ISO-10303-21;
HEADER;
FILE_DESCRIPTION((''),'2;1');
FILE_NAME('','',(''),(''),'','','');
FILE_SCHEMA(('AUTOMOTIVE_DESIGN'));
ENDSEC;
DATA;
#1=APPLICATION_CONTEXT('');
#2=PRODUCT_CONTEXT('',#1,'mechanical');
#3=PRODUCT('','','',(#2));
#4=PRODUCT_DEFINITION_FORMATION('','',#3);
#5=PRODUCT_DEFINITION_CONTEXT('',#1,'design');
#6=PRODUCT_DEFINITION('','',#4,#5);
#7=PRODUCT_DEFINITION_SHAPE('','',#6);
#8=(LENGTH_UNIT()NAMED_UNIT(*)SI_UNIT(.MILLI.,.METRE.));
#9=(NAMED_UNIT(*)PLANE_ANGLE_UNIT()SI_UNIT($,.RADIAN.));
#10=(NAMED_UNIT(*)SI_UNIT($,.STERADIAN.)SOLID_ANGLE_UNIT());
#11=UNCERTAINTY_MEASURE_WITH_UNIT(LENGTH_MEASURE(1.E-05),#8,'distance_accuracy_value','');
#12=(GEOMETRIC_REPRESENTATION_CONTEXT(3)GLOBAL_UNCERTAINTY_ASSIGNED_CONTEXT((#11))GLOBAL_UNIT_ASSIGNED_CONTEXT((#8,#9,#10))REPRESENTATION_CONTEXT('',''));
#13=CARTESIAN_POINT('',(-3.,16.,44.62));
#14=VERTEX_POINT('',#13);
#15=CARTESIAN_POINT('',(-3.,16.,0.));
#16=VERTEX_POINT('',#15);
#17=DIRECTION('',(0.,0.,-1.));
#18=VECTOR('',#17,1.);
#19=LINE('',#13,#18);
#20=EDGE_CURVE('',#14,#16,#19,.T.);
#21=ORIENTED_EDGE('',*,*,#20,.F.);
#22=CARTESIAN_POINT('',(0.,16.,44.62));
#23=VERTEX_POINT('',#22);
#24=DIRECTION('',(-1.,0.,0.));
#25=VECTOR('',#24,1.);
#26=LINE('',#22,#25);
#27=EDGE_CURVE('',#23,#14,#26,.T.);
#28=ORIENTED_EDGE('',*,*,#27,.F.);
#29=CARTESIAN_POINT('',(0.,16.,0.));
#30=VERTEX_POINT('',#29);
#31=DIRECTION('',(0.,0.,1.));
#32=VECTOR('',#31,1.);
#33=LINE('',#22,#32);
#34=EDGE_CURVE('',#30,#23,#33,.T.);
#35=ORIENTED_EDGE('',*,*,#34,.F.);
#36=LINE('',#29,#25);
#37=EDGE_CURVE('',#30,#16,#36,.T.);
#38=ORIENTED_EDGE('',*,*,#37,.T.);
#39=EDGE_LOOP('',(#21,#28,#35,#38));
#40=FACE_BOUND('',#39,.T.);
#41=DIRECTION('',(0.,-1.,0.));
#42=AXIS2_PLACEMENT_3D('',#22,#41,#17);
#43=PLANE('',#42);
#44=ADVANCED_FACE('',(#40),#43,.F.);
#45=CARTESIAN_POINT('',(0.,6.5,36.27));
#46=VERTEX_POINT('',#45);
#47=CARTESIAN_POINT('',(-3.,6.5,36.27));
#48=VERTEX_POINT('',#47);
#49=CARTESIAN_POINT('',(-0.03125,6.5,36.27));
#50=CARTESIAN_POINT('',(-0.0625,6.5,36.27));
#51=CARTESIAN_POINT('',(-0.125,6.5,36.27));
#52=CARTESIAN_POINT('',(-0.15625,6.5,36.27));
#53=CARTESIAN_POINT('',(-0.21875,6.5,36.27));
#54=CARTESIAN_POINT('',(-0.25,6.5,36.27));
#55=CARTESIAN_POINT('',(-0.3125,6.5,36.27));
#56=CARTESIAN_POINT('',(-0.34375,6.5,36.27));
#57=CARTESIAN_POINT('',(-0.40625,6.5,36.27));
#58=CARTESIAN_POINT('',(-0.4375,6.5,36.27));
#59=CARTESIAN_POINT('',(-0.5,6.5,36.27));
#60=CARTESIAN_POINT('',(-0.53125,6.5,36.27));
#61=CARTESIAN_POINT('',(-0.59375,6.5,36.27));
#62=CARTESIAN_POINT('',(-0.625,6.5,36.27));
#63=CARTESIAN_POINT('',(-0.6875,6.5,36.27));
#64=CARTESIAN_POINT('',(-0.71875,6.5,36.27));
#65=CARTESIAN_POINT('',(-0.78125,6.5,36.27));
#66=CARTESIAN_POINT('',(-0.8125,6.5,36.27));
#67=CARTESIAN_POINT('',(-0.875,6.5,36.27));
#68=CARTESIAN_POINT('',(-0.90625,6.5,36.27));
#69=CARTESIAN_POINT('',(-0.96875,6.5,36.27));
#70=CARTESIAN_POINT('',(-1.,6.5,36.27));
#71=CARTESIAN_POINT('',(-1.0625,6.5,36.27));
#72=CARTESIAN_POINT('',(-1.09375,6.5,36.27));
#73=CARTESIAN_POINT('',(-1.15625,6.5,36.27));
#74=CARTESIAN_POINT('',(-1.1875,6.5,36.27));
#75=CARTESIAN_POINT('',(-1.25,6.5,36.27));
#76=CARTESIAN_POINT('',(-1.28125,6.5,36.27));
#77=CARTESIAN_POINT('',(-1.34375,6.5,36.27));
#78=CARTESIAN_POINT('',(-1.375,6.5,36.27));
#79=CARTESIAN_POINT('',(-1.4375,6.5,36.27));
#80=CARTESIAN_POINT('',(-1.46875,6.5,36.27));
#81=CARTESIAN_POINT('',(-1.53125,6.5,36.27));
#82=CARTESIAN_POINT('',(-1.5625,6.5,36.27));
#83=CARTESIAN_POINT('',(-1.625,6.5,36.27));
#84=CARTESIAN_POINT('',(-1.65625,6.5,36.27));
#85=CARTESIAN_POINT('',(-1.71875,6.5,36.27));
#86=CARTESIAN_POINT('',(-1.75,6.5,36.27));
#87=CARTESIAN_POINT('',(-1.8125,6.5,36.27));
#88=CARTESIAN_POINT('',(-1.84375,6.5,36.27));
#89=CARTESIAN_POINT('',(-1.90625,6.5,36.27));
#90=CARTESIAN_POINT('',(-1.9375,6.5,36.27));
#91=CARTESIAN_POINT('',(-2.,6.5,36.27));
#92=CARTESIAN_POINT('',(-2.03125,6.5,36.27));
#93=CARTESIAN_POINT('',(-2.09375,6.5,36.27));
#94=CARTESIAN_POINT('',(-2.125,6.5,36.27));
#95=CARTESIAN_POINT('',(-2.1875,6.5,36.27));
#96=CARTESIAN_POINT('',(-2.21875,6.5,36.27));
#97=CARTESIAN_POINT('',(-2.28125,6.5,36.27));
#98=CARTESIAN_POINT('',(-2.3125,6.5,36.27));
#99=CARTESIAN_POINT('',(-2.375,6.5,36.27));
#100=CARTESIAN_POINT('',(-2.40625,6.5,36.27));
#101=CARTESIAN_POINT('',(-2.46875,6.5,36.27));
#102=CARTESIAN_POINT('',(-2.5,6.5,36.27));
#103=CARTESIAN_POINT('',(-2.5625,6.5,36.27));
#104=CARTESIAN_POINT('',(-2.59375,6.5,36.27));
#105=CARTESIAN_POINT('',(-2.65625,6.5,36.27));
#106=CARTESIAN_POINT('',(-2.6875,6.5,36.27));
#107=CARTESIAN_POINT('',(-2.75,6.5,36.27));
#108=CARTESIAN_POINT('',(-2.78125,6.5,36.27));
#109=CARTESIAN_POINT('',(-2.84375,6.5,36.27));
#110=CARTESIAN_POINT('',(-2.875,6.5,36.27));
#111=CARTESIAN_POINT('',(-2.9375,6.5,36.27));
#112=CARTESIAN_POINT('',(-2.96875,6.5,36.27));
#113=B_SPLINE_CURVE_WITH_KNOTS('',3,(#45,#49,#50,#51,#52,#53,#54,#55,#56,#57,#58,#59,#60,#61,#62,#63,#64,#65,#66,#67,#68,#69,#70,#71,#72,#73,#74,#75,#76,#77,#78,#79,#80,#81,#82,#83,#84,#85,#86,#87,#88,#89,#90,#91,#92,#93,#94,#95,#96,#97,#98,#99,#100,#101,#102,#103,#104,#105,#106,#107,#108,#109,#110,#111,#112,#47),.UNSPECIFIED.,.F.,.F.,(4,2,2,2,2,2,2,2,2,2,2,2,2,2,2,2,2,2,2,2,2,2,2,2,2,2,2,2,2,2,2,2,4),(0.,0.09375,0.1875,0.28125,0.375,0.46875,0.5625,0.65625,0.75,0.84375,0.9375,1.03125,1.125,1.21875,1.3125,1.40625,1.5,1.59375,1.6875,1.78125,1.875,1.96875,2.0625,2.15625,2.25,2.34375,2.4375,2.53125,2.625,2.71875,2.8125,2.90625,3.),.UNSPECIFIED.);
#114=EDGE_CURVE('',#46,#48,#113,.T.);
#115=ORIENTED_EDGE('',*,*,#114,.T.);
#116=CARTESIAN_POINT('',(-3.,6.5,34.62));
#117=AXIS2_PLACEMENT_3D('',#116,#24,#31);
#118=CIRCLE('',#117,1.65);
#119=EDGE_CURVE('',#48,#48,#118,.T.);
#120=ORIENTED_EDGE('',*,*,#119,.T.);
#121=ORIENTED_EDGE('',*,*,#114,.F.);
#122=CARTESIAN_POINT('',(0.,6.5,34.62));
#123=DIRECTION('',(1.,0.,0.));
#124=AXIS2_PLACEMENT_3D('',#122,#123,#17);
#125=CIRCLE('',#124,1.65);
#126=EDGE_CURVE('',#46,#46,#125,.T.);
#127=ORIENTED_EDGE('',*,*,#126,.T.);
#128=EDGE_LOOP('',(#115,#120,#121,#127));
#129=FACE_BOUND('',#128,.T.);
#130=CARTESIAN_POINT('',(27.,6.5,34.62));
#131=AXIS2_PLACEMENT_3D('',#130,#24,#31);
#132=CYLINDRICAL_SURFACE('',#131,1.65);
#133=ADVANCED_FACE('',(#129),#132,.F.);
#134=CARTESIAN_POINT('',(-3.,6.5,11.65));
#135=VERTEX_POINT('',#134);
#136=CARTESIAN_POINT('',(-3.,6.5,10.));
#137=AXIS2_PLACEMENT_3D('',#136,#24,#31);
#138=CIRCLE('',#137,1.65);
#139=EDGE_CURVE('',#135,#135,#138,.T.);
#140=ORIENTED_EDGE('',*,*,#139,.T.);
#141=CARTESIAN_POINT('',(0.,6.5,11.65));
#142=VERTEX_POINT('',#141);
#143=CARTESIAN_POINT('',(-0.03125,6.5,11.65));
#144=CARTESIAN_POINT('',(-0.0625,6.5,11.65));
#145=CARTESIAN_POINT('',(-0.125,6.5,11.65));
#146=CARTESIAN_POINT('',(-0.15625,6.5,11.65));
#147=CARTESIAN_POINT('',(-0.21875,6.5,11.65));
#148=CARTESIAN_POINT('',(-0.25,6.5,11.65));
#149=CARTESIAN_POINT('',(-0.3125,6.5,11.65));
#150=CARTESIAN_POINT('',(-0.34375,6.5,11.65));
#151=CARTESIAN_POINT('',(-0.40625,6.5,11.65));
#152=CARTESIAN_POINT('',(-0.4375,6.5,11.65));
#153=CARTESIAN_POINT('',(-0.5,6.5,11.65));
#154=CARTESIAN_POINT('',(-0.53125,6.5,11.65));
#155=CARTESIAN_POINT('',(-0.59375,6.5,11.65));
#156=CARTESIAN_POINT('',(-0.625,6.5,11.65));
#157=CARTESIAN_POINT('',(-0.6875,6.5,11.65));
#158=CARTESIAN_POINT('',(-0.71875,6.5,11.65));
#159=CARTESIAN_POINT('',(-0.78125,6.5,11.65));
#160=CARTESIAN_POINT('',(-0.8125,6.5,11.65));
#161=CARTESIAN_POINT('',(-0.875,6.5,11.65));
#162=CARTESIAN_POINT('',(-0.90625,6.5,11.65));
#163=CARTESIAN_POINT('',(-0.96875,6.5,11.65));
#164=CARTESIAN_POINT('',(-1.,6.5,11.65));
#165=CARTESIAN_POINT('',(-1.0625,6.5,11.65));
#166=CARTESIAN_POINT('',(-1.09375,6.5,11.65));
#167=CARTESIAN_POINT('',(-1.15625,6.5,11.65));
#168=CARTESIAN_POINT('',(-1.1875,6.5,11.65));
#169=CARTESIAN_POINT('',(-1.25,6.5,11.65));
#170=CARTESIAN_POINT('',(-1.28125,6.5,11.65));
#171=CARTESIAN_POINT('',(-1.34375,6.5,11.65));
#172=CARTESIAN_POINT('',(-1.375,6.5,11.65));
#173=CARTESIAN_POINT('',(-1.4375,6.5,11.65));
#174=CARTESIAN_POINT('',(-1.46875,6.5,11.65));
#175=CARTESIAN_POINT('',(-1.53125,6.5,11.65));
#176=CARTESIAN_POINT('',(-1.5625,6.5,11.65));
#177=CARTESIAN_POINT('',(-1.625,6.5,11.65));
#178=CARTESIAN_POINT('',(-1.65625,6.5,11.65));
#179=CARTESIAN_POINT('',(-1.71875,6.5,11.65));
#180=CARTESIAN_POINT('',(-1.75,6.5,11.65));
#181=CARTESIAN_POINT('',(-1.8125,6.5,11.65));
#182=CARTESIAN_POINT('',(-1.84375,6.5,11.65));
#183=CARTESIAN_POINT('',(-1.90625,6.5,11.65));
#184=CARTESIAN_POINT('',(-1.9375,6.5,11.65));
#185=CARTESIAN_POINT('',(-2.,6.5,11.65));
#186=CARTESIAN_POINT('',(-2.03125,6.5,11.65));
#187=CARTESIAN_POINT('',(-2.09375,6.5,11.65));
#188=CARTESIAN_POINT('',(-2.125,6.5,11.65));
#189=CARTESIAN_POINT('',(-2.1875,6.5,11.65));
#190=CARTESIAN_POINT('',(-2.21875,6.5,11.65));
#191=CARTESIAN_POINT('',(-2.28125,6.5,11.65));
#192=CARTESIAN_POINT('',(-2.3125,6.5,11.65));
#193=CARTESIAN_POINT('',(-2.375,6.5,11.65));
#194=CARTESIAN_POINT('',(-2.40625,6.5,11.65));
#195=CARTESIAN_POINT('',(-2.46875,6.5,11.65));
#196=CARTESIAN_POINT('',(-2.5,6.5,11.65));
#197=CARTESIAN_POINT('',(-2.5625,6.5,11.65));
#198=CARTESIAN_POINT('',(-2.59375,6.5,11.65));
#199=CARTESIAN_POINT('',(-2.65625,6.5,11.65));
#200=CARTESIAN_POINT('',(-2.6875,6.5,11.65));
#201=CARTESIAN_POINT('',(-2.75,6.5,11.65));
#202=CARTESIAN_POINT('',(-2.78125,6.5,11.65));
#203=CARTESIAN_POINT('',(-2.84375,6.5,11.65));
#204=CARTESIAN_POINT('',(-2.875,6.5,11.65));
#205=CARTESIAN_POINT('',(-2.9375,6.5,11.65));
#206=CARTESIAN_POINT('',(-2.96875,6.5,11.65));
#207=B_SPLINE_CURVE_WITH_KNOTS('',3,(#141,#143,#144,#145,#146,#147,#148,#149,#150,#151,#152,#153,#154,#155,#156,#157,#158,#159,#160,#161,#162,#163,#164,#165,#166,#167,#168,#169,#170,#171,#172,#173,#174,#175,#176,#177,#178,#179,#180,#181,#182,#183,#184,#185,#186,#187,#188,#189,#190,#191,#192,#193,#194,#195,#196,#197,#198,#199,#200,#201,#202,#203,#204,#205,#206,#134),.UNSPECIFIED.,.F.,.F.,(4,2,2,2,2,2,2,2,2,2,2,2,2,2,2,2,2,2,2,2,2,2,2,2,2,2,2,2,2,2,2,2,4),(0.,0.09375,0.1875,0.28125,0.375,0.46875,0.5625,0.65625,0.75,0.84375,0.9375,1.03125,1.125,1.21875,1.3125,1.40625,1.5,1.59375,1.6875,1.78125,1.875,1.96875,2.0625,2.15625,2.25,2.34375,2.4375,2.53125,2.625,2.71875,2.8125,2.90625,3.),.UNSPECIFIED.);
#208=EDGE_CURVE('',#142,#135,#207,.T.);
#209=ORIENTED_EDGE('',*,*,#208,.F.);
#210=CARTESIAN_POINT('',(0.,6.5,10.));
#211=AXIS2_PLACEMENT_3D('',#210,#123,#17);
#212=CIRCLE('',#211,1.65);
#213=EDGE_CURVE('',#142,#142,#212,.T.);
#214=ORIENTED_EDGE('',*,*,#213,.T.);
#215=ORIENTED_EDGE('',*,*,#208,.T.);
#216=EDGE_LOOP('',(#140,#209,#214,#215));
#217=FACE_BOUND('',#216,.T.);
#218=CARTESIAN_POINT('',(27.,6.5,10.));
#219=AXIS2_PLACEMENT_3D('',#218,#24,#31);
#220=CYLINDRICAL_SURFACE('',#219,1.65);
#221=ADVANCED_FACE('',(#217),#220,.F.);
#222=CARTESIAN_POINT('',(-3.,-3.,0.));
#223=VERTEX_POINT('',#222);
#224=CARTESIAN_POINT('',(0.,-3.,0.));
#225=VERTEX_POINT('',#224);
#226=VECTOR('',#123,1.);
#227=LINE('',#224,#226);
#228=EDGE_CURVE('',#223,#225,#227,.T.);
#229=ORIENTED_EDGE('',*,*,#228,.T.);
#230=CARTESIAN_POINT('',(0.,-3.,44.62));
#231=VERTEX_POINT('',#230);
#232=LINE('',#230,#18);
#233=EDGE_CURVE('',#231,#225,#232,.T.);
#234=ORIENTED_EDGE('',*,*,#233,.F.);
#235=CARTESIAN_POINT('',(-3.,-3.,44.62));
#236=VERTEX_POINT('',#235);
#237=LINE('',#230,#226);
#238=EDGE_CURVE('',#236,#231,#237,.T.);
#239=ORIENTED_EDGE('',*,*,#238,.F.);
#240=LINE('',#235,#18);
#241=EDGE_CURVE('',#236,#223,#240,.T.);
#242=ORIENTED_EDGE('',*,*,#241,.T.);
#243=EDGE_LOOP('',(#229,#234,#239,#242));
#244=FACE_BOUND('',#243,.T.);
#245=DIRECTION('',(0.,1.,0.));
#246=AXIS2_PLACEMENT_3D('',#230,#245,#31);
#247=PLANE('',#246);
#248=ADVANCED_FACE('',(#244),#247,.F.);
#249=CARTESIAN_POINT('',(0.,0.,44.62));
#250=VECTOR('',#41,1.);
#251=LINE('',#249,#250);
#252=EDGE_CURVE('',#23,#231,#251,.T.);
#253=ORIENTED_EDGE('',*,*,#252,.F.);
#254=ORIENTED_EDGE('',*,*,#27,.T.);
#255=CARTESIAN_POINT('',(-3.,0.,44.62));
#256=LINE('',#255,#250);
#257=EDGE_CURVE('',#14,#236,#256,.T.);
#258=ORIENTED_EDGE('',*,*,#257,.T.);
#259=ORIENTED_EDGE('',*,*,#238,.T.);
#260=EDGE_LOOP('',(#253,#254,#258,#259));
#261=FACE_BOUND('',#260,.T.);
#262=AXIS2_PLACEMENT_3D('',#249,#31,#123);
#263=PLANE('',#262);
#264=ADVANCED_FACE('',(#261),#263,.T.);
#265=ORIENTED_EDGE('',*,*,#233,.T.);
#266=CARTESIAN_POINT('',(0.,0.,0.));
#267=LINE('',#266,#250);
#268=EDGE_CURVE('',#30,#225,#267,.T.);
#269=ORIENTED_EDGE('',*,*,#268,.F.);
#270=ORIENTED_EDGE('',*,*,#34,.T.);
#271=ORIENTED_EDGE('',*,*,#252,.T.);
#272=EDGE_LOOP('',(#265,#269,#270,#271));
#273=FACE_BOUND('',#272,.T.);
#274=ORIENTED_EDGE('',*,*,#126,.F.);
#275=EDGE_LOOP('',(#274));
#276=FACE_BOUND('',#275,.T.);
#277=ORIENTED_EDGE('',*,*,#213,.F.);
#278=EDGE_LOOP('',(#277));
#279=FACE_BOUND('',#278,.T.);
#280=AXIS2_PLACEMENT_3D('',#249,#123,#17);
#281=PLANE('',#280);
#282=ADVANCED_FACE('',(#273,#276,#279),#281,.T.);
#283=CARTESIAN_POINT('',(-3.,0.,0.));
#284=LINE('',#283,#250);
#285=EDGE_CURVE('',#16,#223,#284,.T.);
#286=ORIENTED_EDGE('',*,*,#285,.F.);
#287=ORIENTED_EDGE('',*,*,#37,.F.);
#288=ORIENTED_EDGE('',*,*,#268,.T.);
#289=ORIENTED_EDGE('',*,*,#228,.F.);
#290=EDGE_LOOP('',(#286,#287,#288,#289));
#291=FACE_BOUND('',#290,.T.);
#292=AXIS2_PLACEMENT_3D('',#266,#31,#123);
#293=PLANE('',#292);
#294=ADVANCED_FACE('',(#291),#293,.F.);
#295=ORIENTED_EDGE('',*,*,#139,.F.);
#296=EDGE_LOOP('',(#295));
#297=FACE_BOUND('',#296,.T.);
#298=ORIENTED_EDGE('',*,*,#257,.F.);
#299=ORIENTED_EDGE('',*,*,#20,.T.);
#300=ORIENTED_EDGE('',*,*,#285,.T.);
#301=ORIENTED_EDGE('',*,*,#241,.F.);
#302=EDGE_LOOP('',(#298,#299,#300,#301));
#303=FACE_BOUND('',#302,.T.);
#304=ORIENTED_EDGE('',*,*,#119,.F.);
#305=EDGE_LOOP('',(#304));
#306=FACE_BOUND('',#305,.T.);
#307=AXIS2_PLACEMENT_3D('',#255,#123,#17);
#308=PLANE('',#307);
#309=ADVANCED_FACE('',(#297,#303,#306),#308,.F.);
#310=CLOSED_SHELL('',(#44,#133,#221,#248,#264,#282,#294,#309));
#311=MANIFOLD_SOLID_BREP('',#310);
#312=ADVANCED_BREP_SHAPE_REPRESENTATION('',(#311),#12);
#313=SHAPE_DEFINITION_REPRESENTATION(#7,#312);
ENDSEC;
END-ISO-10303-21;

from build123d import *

# Parameters (mm, degrees)
SKETCH_1_W          = 19
SKETCH_1_H          = 19
SKETCH_1_W_2        = 13
SKETCH_1_H_2        = 13
EXTRUDE_1_DEPTH     = 44.62
SKETCH_2_R          = 1.65
CUT_EXTRUDE_1_DEPTH = 30
SKETCH_3_W          = 44.62
SKETCH_3_H          = 19
CUT_EXTRUDE_2_DEPTH = 16


with BuildPart() as part:
    # 草图1 → Extrude 1 (new body)
    with BuildSketch(Plane.XY):
        with Locations((6.5, 6.5)):
            Rectangle(SKETCH_1_W, SKETCH_1_H)
        with Locations((6.5, 6.5)):
            Rectangle(SKETCH_1_W_2, SKETCH_1_H_2, mode=Mode.SUBTRACT)
    extrude(amount=EXTRUDE_1_DEPTH)

    # 草图2 → 切除-拉伸1 (cut)
    with BuildSketch(Plane.ZY.offset(3)):
        with Locations((10, 6.5)):
            Circle(SKETCH_2_R)
        with Locations((34.62, 6.5)):
            Circle(SKETCH_2_R)
    extrude(amount=-CUT_EXTRUDE_1_DEPTH, mode=Mode.SUBTRACT)

    # 草图3 → 切除-拉伸2 (cut)
    with BuildSketch(Plane(origin=(16, 0, 0), x_dir=(0, 0, -1), z_dir=(1, 0, 0))):
        with Locations((-22.31, 6.5)):
            Rectangle(SKETCH_3_W, SKETCH_3_H)
    extrude(amount=-CUT_EXTRUDE_2_DEPTH, mode=Mode.SUBTRACT)


solid = part.part
